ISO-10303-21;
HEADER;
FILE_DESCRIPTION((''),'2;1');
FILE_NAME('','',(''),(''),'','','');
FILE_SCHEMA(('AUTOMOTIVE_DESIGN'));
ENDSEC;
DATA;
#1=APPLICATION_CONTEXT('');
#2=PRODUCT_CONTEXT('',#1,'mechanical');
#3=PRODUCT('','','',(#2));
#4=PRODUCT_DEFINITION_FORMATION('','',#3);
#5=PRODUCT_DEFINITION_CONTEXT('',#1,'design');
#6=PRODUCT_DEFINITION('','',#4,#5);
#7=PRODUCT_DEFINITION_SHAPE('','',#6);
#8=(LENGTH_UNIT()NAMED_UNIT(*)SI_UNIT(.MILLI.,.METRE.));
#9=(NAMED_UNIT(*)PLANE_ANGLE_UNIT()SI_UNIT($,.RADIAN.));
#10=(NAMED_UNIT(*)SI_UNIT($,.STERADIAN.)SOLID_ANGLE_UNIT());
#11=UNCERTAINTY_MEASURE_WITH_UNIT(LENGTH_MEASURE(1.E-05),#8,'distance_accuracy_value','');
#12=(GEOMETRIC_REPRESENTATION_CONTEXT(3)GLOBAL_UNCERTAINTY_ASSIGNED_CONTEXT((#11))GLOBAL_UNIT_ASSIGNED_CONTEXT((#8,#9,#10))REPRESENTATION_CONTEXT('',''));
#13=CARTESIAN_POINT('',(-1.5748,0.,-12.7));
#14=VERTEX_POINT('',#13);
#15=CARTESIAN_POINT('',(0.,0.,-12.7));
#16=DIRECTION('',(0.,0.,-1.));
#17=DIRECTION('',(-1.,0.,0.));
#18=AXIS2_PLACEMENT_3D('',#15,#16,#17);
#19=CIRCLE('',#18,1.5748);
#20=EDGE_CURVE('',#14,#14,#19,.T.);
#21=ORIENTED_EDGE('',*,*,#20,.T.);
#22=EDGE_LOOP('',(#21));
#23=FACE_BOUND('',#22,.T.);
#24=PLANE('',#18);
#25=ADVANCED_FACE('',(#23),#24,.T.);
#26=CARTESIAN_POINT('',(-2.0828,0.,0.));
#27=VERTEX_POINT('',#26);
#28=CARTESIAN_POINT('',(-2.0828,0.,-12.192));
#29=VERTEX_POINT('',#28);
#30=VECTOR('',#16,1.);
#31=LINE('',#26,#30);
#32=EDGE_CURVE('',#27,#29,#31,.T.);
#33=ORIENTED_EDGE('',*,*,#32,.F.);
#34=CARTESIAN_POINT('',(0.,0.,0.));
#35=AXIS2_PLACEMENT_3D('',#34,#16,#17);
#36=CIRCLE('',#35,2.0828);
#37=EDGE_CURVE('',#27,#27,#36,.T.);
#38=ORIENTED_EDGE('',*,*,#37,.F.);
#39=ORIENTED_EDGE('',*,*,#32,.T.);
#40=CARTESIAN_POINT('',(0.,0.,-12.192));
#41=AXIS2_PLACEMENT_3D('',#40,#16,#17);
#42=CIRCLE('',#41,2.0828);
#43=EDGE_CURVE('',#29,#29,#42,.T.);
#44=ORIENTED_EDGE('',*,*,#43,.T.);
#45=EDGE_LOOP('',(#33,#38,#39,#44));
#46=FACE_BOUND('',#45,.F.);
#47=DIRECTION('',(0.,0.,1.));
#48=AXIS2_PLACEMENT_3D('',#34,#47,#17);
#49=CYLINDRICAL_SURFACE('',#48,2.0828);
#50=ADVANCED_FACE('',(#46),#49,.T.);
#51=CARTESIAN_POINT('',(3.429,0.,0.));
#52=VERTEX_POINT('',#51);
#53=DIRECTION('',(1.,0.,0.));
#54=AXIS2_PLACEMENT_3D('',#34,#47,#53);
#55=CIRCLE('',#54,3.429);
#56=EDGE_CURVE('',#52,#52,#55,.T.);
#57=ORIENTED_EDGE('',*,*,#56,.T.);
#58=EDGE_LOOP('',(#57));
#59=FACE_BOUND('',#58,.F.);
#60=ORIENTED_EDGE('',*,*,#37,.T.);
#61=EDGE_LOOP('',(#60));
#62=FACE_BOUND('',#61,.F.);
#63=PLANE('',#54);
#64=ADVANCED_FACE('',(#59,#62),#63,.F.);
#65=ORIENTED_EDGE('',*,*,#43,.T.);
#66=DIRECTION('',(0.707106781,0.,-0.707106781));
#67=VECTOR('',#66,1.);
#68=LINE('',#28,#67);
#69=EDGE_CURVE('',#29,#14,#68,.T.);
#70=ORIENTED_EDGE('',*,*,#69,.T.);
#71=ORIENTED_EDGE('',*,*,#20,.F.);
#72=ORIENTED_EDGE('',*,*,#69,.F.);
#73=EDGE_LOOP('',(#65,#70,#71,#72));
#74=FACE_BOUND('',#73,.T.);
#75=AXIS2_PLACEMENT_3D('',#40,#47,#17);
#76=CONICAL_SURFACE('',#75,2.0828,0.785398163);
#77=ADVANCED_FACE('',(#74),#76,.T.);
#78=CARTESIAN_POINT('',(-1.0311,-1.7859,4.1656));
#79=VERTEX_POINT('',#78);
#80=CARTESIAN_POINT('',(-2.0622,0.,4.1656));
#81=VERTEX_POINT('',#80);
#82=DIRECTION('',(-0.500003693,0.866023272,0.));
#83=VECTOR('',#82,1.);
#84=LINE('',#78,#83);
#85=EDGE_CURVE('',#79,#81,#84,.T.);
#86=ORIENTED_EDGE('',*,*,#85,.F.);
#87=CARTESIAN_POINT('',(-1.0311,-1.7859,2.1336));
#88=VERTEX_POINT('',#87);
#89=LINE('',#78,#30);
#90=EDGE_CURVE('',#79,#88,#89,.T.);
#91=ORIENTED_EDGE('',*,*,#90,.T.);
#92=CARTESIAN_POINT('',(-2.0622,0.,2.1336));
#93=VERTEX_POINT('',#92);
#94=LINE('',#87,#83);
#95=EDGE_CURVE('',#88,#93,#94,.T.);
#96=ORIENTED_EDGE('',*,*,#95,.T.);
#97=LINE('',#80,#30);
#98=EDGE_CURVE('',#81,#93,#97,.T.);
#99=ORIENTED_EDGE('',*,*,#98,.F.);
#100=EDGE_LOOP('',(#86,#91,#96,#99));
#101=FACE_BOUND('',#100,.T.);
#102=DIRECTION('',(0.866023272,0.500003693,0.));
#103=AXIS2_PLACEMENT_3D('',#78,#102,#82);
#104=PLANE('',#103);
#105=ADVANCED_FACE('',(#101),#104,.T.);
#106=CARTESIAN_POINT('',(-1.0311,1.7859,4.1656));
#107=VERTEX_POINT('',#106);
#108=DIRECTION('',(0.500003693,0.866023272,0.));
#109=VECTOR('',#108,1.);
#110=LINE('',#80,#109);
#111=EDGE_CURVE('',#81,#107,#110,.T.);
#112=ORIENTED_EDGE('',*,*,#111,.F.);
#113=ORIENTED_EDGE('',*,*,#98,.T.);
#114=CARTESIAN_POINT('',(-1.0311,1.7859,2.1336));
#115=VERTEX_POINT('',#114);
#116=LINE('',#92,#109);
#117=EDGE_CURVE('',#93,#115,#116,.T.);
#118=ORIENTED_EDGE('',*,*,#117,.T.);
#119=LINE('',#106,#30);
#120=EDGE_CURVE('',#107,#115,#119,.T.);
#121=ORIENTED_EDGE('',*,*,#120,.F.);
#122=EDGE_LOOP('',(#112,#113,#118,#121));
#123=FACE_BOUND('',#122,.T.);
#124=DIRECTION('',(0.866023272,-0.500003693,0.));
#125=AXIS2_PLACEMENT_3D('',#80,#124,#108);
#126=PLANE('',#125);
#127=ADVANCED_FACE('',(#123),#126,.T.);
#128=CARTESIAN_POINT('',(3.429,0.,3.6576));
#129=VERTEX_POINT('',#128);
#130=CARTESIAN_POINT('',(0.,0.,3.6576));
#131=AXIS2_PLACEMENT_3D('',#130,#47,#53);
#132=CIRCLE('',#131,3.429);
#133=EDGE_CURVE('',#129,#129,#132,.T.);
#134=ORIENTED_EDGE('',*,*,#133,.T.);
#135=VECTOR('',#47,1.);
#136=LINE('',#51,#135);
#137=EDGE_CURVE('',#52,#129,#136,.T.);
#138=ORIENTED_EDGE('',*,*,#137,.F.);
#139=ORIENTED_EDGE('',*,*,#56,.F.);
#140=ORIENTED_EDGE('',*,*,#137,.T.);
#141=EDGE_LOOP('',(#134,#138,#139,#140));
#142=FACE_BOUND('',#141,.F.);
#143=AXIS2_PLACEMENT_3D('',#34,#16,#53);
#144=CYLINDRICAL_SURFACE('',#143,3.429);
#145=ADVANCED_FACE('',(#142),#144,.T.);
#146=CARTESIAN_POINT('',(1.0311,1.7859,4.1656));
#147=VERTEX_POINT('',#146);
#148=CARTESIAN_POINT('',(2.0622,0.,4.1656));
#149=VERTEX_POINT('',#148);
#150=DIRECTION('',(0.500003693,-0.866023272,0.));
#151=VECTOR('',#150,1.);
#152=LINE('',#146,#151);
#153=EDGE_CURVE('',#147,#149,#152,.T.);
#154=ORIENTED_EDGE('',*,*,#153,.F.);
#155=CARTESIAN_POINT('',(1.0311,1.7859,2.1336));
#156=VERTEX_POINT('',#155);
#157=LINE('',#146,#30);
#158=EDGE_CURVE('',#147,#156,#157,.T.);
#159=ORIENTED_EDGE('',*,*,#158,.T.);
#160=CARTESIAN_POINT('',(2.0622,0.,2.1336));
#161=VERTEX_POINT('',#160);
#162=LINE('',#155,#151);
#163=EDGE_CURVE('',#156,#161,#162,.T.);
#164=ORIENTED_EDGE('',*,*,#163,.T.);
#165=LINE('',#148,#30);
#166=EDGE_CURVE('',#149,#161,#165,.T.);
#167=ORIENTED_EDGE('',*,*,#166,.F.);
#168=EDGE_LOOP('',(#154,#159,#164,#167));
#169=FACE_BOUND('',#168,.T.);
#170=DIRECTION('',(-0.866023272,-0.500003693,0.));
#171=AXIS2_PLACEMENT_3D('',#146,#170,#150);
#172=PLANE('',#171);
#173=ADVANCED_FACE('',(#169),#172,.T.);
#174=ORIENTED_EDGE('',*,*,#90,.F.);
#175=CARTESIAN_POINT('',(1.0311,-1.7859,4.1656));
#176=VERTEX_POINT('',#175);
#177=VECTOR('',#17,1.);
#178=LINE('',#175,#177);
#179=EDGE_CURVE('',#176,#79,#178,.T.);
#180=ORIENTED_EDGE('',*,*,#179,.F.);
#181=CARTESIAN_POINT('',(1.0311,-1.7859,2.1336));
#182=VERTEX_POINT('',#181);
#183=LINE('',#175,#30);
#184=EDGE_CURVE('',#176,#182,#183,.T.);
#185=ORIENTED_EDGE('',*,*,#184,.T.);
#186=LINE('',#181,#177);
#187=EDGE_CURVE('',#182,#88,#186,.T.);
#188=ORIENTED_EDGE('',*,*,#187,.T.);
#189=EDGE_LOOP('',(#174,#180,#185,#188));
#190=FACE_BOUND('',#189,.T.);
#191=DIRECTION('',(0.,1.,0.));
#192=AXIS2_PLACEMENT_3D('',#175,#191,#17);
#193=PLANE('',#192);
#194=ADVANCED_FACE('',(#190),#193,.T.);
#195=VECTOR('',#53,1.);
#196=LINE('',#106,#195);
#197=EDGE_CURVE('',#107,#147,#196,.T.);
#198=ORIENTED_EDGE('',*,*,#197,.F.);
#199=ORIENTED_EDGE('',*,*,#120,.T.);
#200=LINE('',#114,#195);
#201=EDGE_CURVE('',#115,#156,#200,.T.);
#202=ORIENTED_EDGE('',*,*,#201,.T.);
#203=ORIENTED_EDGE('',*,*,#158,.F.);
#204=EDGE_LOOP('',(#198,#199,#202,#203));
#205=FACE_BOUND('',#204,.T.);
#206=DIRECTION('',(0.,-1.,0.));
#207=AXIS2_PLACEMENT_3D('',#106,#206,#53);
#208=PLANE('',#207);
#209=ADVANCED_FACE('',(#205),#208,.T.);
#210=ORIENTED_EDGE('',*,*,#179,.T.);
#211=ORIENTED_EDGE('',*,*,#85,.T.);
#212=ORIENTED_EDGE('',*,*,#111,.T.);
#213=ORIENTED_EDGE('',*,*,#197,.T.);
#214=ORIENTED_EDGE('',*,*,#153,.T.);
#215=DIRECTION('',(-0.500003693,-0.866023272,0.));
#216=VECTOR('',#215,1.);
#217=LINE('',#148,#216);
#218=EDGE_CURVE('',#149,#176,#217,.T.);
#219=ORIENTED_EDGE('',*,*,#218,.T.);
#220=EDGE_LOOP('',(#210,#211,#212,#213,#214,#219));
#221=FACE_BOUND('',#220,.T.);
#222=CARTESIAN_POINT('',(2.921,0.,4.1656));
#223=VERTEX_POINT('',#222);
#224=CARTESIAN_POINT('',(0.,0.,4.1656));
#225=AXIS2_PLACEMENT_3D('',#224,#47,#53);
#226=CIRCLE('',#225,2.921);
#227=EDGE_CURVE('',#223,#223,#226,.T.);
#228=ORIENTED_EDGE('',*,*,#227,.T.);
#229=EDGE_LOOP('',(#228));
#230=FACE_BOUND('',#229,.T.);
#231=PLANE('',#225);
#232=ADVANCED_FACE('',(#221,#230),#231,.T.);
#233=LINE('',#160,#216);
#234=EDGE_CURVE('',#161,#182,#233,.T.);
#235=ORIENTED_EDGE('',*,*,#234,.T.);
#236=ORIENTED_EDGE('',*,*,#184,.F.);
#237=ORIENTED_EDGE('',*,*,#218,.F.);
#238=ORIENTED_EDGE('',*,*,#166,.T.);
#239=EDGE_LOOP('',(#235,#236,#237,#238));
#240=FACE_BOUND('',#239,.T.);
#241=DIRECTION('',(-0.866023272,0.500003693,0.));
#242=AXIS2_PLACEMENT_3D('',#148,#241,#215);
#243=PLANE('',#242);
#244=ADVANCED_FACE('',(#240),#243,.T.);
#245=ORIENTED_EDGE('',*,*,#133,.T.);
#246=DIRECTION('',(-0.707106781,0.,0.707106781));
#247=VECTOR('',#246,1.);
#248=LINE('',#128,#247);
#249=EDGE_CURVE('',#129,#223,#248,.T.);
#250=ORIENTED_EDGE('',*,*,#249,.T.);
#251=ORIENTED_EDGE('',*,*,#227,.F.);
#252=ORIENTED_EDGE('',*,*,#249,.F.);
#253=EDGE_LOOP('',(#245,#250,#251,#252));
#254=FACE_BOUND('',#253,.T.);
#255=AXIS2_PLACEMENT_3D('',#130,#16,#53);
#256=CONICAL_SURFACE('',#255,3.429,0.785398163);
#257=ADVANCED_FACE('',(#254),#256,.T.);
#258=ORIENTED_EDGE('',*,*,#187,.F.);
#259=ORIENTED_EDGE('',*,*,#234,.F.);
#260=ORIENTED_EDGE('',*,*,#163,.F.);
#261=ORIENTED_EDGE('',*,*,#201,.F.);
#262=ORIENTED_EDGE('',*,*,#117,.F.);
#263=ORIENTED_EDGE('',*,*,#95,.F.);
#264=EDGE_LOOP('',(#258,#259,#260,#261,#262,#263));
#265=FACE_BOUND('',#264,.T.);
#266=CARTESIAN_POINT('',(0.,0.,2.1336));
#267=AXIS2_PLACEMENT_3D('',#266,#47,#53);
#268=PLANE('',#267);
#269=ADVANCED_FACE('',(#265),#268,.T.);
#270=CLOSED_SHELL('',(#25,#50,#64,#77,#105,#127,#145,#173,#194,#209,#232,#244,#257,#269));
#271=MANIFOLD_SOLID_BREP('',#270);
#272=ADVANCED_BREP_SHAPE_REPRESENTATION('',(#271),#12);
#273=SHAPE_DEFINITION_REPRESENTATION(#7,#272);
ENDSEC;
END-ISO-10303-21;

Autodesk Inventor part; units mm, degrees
ref_plane "YZ Plane" through (0, 0, 0) normal (1, 0, 0) x (0, 1, 0)
ref_plane "XZ Plane" through (0, 0, 0) normal (0, 1, 0) x (-1, 0, 0)
ref_plane "XY Plane" through (0, 0, 0) normal (0, 0, 1) x (1, 0, 0)
sketch "Sketch1" plane through (0, 0, 0) normal (0, 0, 1) x (1, 0, 0)
  circle A0 centre (0, 0) radius 3.429
  dimension "d0" = 6.858
extrude "Extrusion1" add sketch "Sketch1" along normal blind 4.1656
sketch "Sketch2" plane through (0, 0, 0) normal (0, 0, -1) x (-1, 0, 0)
  circle A0 centre (0, 0) radius 3.429 projected
  circle A1 centre (0, 0) radius 2.0828
  dimension "d3" = 4.1656
extrude "Extrusion2" add sketch "Sketch2" along normal blind 12.7 contours A1
sketch "Sketch3" plane through (0, 0, 4.1656) normal (0, 0, 1) x (1, 0, 0)
  circle A0 centre (0, 0) radius 3.429 projected
  line L0 (-1.0311, 1.7859) -> (1.0311, 1.7859)
  line L1 (1.0311, 1.7859) -> (2.0622, 0)
  line L2 (2.0622, 0) -> (1.0311, -1.7859)
  line L3 (1.0311, -1.7859) -> (-1.0311, -1.7859)
  line L4 (-1.0311, -1.7859) -> (-2.0622, 0)
  line L5 (-2.0622, 0) -> (-1.0311, 1.7859)
  dimension "d6" = 3.5719
extrude "Extrusion3" cut sketch "Sketch3" against normal blind 2.032 contours L0 L1 L2 L3 L4 L5
thread "Thread1" size "8-32 UNC" class "2A" standard "ANSI Unified Screw Threads" full length
chamfer "Chamfer1" distance 0.508 angle 45 1 edges at (2.0828, 0, -12.7)
chamfer "Chamfer2" distance 0.508 angle 45 1 edges at (-3.429, 0, 4.1656)
properties part number "8-32 SHCS x500" material "Steel"
